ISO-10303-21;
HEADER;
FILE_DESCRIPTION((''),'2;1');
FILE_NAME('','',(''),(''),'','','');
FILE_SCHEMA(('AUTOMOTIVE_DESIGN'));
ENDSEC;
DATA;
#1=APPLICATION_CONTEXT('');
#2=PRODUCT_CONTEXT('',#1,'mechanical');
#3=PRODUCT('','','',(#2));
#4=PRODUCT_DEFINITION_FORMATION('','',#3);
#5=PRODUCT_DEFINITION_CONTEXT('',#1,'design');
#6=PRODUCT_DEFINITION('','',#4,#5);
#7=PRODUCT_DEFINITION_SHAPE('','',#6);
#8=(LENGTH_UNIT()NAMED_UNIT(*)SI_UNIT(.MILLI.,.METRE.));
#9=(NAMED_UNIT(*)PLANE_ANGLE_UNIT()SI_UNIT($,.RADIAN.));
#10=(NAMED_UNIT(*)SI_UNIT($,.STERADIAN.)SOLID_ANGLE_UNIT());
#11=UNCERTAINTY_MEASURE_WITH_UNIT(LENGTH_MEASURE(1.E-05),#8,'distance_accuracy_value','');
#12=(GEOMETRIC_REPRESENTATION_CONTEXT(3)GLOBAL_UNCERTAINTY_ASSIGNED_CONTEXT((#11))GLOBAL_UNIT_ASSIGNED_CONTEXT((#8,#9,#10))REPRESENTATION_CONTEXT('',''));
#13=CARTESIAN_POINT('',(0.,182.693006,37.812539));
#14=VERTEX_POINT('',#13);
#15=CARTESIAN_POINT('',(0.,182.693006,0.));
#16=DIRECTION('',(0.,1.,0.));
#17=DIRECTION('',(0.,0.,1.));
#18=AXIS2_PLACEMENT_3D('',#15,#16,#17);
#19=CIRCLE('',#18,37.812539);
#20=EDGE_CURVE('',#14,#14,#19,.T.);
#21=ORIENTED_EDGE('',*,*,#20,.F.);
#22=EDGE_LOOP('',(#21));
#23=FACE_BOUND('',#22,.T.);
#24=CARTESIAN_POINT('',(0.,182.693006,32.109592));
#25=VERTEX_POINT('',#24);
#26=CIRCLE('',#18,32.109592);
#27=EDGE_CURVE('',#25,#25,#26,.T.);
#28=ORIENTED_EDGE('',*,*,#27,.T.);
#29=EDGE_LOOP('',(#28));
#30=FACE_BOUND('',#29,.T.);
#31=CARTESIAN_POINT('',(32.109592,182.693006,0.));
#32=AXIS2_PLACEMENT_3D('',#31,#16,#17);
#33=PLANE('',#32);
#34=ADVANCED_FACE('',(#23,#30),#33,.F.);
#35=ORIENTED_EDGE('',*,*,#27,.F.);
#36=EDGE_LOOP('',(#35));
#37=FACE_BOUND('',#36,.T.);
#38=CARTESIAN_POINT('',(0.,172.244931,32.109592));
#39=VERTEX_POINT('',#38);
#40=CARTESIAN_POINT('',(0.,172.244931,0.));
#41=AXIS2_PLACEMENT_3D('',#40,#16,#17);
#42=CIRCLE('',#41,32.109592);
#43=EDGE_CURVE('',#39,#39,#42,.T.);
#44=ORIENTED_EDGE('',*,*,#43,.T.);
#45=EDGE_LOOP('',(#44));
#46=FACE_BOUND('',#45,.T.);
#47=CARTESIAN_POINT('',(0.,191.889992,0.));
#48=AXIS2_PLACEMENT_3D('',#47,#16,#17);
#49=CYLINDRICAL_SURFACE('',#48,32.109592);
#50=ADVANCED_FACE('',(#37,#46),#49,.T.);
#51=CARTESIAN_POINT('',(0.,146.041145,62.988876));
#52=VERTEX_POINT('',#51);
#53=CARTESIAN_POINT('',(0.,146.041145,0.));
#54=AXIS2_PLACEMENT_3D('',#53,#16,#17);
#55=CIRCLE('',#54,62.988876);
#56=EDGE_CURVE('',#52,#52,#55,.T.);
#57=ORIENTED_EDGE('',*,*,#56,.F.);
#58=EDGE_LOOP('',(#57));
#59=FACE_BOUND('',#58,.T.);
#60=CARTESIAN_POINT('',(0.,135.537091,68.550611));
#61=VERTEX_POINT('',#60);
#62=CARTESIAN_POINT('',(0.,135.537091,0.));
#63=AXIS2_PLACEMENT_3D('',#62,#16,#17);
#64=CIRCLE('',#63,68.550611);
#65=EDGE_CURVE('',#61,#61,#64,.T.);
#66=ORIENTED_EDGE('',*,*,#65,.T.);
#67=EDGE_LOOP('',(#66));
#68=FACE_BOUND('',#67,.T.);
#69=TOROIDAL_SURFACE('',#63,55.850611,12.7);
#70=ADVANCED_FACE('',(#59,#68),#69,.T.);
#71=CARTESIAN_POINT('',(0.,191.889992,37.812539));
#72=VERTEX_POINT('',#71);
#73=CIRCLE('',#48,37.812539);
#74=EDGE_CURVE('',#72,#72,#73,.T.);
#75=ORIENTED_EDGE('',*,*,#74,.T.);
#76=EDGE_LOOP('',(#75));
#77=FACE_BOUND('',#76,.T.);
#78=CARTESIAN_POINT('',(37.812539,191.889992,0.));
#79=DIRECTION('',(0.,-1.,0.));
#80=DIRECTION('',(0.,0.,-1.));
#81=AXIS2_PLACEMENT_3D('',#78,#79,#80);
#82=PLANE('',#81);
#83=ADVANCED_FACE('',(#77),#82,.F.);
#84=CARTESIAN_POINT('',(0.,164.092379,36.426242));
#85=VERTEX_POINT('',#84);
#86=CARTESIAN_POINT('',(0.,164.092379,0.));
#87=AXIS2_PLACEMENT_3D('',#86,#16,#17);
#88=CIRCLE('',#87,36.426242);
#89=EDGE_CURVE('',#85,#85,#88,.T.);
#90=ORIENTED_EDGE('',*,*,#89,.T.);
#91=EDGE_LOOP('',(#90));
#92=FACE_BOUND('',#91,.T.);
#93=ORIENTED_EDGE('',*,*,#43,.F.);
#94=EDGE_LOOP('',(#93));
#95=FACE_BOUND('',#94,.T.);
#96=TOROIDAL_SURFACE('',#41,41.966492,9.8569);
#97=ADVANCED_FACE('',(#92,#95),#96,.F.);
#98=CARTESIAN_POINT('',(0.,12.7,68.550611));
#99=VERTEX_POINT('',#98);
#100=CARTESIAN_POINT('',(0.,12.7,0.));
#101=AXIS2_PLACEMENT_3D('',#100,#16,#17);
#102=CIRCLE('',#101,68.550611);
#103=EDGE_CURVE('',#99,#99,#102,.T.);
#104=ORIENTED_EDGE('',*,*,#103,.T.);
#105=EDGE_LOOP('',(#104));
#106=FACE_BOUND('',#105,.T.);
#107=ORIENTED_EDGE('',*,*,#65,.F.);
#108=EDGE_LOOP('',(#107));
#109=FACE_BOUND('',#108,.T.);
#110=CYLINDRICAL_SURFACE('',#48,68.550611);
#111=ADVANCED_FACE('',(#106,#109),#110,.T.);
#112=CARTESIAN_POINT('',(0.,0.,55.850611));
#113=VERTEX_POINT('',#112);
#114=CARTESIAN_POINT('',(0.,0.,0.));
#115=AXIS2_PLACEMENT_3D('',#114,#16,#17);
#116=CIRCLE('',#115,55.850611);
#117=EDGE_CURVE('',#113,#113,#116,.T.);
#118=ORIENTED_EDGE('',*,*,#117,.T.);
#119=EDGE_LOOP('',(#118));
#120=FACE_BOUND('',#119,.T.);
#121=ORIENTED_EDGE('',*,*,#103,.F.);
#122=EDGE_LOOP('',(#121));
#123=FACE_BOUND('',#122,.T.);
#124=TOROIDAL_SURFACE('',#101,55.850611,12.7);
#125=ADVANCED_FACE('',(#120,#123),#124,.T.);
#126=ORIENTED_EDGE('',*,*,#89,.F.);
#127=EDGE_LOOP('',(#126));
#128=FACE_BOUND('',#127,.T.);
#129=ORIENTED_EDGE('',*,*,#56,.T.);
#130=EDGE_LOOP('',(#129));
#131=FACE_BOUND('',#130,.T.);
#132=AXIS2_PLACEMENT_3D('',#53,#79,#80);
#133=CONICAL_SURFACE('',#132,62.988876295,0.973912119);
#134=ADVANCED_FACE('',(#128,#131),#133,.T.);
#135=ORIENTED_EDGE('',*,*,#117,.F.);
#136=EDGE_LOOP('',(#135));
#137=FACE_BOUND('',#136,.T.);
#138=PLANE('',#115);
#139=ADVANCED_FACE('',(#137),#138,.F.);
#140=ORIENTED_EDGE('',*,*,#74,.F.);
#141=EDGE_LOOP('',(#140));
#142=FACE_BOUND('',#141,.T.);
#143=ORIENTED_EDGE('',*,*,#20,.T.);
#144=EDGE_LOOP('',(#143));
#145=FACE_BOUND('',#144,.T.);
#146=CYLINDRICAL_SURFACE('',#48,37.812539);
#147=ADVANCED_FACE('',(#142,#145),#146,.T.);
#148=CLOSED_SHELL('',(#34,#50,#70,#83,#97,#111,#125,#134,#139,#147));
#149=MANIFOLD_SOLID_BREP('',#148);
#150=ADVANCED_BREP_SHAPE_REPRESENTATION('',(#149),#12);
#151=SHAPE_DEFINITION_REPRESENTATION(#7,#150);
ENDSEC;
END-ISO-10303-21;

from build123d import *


with BuildPart() as part:
    # Sketch1 → Revolve1 (revolve)
    with BuildSketch(Plane.XY, mode=Mode.PRIVATE) as revolve1_sk:
        with BuildLine():
            Line((0, 0), (55.850610629, 0))
            ThreePointArc((55.850610629, 0), (64.83086675, 3.719743879), (68.550610629, 12.7))
            Line((68.550610629, 12.7), (68.550610629, 135.537090781))
            ThreePointArc((68.550610629, 135.537090781), (67.07437947, 141.479902659), (62.988876295, 146.041145392))
            Line((62.988876295, 146.041145392), (36.426242146, 164.092378593))
            ThreePointArc((36.426242146, 164.092378593), (33.255344861, 167.632513451), (32.109591896, 172.244930881))
            Line((32.109591896, 172.244930881), (32.109591896, 182.693006016))
            Line((32.109591896, 182.693006016), (37.812538782, 182.693006016))
            Line((37.812538782, 182.693006016), (37.812538782, 191.889991998))
            Line((37.812538782, 191.889991998), (0, 191.889991998))
            Line((0, 191.889991998), (0, 0))
        make_face()
    revolve(revolve1_sk.sketch.rotate(Axis((0, 191.889991998, 0), (0, -1, 0)), 90), axis=Axis((0, 191.889991998, 0), (0, -1, 0)))


solid = part.part
